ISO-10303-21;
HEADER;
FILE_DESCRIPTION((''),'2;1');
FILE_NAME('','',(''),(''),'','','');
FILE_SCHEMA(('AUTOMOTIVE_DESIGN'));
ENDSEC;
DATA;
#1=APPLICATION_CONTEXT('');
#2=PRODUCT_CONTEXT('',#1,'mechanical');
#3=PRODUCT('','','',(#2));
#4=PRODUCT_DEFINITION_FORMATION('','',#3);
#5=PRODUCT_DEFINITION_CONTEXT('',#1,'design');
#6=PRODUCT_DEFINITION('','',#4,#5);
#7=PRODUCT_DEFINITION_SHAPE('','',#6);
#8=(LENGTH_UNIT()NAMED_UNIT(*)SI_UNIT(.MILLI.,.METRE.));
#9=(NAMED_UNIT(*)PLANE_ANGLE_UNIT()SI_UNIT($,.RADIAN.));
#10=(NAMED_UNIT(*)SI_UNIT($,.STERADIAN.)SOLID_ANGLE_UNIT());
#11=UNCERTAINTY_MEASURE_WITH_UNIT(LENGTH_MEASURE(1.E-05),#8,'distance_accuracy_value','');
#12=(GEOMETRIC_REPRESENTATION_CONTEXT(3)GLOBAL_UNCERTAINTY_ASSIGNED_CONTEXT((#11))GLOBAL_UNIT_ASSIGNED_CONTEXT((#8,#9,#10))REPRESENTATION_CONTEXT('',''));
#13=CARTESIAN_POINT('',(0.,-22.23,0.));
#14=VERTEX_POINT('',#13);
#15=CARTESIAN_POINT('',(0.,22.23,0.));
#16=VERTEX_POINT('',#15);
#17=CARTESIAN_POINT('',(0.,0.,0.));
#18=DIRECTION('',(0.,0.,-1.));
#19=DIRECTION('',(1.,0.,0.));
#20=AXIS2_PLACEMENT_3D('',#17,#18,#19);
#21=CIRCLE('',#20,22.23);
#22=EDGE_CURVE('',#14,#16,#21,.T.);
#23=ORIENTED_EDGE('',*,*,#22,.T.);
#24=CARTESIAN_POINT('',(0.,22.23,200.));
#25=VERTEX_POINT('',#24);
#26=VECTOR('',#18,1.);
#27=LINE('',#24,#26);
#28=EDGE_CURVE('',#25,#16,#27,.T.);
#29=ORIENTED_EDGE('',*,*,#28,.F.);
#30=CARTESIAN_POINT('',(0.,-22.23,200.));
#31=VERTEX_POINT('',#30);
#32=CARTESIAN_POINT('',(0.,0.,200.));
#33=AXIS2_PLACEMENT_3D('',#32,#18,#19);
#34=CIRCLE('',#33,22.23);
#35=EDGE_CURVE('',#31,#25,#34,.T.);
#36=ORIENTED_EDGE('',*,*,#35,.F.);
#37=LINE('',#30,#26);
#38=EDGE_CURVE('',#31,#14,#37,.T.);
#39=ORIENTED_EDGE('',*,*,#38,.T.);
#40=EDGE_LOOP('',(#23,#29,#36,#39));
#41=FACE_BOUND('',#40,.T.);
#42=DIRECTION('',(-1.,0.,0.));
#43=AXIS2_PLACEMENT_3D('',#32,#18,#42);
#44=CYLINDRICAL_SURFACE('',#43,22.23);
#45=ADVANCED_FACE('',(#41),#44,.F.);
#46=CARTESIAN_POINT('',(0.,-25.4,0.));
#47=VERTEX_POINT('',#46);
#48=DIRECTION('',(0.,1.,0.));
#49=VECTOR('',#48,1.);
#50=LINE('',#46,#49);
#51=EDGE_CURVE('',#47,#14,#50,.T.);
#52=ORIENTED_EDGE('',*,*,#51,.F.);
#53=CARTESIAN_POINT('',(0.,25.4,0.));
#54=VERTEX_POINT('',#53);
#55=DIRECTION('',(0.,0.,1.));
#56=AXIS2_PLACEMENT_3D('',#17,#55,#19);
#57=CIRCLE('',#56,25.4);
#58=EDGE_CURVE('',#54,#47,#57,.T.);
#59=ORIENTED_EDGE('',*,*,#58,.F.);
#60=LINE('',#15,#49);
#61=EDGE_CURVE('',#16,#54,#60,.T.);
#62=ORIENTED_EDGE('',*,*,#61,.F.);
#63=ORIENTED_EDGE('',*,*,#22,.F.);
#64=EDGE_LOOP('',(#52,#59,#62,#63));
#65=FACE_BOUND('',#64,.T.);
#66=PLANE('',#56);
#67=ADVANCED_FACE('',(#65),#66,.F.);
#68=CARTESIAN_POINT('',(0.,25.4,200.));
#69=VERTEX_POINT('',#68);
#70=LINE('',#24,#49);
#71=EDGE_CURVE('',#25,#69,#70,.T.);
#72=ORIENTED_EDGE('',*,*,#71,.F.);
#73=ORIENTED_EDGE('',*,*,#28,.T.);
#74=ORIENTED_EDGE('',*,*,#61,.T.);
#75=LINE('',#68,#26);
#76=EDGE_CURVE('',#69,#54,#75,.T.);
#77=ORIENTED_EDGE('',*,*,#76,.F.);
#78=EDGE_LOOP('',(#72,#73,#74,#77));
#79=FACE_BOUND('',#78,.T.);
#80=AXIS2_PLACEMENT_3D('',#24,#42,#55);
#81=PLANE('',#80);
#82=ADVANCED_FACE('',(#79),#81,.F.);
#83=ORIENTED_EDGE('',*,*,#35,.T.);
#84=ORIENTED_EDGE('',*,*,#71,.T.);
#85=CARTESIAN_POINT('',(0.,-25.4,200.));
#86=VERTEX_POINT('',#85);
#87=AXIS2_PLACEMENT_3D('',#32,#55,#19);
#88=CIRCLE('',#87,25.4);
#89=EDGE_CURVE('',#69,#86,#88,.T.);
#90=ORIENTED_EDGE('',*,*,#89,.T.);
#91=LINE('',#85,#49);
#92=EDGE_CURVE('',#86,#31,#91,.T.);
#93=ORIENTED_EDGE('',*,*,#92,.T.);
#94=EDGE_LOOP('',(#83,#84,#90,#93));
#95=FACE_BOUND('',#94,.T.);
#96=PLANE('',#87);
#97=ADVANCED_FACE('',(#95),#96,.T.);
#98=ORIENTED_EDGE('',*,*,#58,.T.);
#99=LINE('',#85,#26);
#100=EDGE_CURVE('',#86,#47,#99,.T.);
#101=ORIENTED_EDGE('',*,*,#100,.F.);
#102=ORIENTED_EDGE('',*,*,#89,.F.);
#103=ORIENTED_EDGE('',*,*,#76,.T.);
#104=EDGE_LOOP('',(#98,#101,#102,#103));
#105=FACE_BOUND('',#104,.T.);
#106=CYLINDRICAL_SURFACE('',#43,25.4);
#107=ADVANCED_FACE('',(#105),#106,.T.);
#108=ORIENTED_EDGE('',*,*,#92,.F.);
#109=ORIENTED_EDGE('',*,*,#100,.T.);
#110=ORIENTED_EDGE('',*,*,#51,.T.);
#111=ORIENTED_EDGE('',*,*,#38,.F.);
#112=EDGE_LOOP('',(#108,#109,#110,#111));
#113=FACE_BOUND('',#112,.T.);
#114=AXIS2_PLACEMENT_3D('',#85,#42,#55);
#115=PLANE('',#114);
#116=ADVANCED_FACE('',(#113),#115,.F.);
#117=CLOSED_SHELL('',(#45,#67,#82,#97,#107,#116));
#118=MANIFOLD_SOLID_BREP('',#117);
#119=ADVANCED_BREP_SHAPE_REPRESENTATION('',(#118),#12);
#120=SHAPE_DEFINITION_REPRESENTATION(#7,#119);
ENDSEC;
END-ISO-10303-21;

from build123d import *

# Parameters (mm, degrees)
RESSALTO_EXTRUS_O1_DEPTH = 200


with BuildPart() as part:
    # Esboço1 → Ressalto-extrusão1 (new body)
    with BuildSketch(Plane.XY):
        with BuildLine():
            Line((0, -25.4), (0, -22.23))
            ThreePointArc((0, -22.23), (-22.23, 0), (0, 22.23))
            Line((0, 22.23), (0, 25.4))
            ThreePointArc((0, 25.4), (-25.4, 0), (0, -25.4))
        make_face()
    extrude(amount=RESSALTO_EXTRUS_O1_DEPTH)


solid = part.part
